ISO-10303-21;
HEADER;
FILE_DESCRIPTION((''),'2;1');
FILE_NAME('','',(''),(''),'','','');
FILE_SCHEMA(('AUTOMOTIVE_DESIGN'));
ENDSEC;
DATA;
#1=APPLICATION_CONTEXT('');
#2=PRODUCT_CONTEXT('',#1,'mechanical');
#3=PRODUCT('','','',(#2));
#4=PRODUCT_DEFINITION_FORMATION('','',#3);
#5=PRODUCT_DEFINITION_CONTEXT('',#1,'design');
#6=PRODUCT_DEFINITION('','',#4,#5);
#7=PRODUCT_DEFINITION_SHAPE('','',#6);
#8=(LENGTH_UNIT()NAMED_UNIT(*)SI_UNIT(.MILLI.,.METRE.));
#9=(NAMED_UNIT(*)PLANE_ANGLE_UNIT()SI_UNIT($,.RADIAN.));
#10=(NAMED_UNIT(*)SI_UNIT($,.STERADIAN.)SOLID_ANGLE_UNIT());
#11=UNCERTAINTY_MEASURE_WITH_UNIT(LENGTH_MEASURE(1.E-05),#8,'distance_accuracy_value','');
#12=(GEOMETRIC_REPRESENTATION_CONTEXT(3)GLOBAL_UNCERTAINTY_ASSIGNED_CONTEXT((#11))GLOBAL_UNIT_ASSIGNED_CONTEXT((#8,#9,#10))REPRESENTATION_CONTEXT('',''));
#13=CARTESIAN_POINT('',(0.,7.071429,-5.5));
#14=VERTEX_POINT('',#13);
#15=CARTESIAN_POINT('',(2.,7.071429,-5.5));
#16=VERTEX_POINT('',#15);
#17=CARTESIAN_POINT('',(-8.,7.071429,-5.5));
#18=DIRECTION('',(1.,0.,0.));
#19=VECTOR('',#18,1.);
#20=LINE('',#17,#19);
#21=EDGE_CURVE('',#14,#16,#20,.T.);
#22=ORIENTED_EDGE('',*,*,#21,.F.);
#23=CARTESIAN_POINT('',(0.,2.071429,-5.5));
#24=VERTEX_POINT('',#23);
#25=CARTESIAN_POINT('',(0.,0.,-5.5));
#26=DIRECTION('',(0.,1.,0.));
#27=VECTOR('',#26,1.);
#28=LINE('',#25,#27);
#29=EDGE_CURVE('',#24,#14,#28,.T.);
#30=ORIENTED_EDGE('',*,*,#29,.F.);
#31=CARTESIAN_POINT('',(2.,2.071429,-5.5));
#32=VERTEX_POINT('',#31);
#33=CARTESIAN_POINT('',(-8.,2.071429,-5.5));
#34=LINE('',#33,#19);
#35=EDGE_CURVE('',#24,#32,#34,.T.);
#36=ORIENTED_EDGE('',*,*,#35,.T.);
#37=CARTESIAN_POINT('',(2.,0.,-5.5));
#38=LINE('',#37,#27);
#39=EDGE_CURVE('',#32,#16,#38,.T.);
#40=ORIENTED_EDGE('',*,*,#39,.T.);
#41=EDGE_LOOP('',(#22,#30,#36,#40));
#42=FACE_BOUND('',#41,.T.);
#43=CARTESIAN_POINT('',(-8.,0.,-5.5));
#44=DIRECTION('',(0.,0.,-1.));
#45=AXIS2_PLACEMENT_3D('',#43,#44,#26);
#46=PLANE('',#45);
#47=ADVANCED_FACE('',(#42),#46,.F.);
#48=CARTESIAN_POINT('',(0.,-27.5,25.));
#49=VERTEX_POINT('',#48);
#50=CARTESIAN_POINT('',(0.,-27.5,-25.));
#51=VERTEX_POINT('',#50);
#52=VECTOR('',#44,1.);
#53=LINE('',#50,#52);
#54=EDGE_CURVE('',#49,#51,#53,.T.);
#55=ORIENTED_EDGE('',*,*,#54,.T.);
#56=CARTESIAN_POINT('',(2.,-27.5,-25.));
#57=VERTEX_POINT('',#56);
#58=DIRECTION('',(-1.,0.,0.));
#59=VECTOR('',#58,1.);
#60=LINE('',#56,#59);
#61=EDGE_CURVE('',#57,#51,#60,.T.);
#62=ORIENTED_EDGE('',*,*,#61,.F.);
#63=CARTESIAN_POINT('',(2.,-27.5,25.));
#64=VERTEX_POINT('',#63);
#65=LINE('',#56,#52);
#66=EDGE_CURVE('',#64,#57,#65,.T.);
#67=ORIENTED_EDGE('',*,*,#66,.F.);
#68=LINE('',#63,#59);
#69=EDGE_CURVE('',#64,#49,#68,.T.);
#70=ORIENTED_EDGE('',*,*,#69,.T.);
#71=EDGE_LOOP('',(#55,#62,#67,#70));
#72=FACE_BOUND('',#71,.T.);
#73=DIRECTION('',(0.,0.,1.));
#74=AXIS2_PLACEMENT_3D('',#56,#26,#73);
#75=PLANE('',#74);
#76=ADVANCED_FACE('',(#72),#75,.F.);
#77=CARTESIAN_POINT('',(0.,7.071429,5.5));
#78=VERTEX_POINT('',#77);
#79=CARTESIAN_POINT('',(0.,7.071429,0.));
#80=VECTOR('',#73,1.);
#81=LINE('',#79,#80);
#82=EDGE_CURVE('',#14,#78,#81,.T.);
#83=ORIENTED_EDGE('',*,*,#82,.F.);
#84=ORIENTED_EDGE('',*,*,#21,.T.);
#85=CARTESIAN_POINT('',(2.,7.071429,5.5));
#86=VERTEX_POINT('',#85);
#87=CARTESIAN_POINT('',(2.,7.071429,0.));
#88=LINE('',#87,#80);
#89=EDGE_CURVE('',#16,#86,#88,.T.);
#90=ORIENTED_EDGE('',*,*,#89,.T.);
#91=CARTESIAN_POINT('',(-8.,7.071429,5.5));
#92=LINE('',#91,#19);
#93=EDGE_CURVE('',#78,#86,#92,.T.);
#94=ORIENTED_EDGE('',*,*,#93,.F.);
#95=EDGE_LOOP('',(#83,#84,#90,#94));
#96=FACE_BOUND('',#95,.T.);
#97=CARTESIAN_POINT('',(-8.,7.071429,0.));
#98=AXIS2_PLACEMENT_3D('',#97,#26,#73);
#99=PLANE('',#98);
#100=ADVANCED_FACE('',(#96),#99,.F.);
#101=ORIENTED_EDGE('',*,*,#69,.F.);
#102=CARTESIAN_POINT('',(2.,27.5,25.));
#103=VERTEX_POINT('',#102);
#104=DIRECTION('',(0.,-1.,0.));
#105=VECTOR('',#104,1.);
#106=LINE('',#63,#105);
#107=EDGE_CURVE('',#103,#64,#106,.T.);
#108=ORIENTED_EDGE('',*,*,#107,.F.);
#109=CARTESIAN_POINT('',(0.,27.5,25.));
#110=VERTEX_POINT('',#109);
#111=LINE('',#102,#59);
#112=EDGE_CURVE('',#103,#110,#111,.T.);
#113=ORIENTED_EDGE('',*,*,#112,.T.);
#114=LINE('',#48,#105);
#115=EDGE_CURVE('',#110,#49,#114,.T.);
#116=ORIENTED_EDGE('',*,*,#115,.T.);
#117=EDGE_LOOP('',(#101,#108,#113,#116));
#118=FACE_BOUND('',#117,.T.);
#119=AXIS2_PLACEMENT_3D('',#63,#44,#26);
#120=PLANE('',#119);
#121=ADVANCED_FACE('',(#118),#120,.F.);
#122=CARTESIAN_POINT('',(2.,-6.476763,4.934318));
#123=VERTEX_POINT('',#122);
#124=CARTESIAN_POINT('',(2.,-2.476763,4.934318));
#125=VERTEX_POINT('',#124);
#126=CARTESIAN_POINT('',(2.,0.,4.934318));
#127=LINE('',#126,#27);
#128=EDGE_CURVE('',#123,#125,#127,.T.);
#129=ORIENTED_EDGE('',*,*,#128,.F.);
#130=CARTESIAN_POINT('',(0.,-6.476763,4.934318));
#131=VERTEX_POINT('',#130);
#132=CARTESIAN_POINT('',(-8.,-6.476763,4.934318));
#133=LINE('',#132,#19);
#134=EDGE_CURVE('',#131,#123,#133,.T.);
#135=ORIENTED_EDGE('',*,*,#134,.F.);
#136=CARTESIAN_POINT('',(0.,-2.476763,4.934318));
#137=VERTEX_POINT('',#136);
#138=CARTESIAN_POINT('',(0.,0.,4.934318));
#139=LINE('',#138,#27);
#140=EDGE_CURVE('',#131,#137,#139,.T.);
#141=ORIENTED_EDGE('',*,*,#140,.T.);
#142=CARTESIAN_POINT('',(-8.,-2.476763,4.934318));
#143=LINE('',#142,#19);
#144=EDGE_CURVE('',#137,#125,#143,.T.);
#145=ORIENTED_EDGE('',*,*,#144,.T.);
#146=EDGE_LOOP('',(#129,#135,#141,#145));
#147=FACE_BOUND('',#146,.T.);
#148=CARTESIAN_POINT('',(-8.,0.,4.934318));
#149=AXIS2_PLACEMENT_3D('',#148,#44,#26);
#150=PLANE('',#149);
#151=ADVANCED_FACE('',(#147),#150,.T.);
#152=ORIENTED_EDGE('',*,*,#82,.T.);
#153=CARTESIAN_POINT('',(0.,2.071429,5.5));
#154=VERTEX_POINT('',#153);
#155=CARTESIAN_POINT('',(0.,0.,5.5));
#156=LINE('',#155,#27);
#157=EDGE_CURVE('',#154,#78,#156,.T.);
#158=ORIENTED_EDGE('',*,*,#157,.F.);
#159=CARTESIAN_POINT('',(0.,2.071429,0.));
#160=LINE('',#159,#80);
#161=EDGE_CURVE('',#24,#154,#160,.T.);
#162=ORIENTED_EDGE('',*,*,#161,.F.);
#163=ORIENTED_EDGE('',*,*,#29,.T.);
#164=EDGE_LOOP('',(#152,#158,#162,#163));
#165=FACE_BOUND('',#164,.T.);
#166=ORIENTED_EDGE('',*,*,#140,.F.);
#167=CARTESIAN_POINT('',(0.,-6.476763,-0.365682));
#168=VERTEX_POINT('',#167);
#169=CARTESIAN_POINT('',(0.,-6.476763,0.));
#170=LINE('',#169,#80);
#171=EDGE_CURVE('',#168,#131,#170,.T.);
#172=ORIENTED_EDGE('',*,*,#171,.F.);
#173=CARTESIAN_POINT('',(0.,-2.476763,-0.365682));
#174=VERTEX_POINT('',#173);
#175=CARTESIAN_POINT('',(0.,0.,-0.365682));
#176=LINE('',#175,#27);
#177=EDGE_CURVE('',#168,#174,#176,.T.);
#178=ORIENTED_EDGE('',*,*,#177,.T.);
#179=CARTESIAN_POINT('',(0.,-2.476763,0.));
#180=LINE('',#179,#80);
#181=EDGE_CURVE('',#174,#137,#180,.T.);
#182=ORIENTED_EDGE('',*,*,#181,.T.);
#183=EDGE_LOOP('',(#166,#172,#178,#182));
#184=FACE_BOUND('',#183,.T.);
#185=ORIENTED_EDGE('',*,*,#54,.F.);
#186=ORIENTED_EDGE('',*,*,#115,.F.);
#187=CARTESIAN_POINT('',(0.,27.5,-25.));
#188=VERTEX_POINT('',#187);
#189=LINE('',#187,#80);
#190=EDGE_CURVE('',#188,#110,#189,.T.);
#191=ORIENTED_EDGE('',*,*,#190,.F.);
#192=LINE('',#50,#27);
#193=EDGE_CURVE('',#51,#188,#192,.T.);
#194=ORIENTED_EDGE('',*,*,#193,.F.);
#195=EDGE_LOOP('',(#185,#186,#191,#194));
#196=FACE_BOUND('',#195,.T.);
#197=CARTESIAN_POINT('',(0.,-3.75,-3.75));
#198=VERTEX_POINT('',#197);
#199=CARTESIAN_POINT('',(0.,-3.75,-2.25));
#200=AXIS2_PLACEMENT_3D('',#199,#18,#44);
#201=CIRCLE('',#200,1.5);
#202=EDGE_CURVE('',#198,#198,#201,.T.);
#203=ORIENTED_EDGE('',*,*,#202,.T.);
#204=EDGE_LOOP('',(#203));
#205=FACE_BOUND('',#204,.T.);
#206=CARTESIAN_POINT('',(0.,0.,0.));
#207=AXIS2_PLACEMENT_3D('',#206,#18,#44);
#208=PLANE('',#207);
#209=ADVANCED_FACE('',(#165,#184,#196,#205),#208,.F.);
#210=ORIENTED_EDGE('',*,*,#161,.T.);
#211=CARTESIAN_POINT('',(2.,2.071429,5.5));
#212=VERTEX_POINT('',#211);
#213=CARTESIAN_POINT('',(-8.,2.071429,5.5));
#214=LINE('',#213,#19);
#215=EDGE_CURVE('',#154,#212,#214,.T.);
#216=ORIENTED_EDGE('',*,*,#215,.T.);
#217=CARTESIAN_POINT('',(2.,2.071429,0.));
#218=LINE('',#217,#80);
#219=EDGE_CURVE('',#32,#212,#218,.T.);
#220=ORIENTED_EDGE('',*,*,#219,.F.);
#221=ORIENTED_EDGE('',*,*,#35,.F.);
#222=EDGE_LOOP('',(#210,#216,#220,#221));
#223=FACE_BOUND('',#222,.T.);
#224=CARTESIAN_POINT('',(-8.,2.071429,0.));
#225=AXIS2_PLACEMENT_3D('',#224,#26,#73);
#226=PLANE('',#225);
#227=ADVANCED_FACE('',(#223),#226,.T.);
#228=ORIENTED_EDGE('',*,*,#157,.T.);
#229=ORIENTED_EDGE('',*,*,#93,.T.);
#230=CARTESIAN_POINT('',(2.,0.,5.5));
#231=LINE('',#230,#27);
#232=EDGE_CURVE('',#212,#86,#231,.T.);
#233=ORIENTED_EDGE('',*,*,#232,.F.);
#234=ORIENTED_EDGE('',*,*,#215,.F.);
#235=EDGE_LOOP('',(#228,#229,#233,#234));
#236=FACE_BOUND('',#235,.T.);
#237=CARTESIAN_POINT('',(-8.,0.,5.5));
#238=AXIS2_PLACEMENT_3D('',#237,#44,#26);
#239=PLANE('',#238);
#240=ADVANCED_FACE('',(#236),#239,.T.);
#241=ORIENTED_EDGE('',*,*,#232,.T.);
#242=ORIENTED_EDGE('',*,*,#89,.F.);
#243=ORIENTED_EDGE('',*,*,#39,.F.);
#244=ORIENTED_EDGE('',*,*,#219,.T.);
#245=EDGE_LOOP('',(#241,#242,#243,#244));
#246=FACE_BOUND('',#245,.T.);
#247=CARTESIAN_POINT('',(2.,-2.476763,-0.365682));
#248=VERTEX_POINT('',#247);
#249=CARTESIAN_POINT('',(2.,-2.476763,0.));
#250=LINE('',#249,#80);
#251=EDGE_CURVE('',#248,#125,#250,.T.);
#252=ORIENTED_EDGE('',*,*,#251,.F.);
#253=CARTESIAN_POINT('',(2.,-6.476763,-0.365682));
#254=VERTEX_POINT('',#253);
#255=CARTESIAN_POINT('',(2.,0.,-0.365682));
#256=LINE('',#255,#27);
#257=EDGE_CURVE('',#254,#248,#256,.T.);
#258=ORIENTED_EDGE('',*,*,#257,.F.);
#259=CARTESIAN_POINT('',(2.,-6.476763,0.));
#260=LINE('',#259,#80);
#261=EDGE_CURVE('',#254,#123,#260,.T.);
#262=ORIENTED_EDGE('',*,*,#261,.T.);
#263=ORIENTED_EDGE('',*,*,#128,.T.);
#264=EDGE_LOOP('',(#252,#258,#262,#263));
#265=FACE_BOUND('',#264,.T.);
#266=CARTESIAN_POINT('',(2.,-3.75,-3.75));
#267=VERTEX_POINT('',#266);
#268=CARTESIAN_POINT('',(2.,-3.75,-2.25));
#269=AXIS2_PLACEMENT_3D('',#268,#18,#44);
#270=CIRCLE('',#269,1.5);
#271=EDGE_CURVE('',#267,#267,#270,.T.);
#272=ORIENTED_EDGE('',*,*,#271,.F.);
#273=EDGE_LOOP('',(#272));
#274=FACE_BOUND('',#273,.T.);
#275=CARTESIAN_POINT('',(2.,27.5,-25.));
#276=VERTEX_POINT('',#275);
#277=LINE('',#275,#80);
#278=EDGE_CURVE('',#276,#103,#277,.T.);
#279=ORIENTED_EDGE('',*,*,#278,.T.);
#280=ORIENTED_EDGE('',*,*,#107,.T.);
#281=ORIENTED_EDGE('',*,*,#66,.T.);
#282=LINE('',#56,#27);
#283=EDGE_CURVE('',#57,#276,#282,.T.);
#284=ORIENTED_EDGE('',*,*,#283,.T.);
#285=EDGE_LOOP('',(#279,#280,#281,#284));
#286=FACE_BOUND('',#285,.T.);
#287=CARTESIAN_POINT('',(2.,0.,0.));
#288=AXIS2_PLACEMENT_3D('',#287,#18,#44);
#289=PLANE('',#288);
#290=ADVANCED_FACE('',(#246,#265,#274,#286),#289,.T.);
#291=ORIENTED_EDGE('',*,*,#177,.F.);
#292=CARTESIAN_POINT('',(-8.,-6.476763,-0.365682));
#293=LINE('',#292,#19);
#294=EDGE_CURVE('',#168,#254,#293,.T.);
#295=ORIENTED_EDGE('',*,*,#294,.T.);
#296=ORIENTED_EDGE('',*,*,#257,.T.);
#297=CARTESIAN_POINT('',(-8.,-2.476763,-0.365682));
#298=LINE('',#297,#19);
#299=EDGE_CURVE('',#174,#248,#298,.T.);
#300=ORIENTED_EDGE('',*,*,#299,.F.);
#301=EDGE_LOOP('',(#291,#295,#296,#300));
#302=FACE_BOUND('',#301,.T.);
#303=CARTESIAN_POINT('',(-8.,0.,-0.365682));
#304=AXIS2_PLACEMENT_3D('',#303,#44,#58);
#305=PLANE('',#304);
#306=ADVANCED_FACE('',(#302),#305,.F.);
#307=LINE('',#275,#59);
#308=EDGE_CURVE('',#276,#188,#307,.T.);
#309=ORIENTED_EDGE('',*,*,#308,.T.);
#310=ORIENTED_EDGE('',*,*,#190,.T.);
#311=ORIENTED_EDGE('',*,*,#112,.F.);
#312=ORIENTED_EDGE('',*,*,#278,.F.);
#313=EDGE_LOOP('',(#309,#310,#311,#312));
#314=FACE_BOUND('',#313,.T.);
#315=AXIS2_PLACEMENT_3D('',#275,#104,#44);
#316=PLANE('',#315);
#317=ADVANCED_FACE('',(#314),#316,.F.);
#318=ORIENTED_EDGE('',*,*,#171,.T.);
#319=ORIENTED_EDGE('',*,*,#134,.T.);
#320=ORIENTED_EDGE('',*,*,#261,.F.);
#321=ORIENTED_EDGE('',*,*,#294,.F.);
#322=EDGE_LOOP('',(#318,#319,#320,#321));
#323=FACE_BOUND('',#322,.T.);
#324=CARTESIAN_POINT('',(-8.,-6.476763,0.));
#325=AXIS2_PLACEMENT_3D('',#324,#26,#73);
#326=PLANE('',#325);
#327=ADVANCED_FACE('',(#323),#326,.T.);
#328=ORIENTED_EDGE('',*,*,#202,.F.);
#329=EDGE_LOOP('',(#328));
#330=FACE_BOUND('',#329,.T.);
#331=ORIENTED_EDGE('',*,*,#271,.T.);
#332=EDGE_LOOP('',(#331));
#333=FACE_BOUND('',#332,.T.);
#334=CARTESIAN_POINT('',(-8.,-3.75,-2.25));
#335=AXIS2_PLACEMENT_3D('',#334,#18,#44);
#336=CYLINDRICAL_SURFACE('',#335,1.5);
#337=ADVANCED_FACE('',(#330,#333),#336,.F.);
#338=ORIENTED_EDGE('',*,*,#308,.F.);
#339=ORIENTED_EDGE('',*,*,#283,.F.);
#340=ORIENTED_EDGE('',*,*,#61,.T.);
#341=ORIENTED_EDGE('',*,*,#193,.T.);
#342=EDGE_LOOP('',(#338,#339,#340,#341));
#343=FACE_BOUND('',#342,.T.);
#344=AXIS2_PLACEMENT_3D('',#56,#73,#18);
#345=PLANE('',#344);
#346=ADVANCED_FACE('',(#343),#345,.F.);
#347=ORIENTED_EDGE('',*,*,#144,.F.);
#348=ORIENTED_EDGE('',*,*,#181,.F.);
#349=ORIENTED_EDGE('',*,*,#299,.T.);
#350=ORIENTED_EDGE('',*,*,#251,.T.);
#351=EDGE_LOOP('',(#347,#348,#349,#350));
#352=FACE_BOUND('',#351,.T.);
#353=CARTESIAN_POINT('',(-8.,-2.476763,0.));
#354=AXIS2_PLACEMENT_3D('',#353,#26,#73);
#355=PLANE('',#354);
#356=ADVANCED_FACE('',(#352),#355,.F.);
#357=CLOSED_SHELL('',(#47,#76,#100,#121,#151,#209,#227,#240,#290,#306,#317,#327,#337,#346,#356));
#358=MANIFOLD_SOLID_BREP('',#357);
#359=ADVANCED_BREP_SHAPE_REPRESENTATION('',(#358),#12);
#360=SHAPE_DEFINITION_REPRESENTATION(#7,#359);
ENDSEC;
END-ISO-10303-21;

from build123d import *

# Parameters (mm, degrees)
SKETCH1_W           = 50
SKETCH1_H           = 55
BOSS_EXTRUDE1_DEPTH = 2
SKETCH2_W           = 5.3
SKETCH2_H           = 4
SKETCH2_R           = 1.5
SKETCH2_W_2         = 10.5
SKETCH2_H_2         = 4.678571429
CUT_EXTRUDE1_DEPTH  = 10


with BuildPart() as part:
    # Sketch1 → Boss-Extrude1 (new body)
    with BuildSketch(Plane(origin=(0, 0, 0), x_dir=(0, 0, -1), z_dir=(1, 0, 0))):
        Rectangle(SKETCH1_W, SKETCH1_H)
    extrude(amount=BOSS_EXTRUDE1_DEPTH)

    # Sketch2 → Cut-Extrude1 (cut)
    with BuildSketch(Plane(origin=(2, 0, 0), x_dir=(0, 0, -1), z_dir=(1, 0, 0))):
        with Locations((-2.284317843, -4.476763319)):
            Rectangle(SKETCH2_W, SKETCH2_H)
        with Locations((2.25, -3.75)):
            Circle(SKETCH2_R)
        Polygon((5.25, 6.75), (5.25, 2.071428571), (5.5, 2.071428571), (5.5, 7.071428571), (-5.5, 7.071428571), (-5.5, 2.071428571), (-5.25, 2.071428571), (-5.25, 6.75), align=None)
        with Locations((0, 4.410714286)):
            Rectangle(SKETCH2_W_2, SKETCH2_H_2)
    extrude(amount=-CUT_EXTRUDE1_DEPTH, mode=Mode.SUBTRACT)


solid = part.part
